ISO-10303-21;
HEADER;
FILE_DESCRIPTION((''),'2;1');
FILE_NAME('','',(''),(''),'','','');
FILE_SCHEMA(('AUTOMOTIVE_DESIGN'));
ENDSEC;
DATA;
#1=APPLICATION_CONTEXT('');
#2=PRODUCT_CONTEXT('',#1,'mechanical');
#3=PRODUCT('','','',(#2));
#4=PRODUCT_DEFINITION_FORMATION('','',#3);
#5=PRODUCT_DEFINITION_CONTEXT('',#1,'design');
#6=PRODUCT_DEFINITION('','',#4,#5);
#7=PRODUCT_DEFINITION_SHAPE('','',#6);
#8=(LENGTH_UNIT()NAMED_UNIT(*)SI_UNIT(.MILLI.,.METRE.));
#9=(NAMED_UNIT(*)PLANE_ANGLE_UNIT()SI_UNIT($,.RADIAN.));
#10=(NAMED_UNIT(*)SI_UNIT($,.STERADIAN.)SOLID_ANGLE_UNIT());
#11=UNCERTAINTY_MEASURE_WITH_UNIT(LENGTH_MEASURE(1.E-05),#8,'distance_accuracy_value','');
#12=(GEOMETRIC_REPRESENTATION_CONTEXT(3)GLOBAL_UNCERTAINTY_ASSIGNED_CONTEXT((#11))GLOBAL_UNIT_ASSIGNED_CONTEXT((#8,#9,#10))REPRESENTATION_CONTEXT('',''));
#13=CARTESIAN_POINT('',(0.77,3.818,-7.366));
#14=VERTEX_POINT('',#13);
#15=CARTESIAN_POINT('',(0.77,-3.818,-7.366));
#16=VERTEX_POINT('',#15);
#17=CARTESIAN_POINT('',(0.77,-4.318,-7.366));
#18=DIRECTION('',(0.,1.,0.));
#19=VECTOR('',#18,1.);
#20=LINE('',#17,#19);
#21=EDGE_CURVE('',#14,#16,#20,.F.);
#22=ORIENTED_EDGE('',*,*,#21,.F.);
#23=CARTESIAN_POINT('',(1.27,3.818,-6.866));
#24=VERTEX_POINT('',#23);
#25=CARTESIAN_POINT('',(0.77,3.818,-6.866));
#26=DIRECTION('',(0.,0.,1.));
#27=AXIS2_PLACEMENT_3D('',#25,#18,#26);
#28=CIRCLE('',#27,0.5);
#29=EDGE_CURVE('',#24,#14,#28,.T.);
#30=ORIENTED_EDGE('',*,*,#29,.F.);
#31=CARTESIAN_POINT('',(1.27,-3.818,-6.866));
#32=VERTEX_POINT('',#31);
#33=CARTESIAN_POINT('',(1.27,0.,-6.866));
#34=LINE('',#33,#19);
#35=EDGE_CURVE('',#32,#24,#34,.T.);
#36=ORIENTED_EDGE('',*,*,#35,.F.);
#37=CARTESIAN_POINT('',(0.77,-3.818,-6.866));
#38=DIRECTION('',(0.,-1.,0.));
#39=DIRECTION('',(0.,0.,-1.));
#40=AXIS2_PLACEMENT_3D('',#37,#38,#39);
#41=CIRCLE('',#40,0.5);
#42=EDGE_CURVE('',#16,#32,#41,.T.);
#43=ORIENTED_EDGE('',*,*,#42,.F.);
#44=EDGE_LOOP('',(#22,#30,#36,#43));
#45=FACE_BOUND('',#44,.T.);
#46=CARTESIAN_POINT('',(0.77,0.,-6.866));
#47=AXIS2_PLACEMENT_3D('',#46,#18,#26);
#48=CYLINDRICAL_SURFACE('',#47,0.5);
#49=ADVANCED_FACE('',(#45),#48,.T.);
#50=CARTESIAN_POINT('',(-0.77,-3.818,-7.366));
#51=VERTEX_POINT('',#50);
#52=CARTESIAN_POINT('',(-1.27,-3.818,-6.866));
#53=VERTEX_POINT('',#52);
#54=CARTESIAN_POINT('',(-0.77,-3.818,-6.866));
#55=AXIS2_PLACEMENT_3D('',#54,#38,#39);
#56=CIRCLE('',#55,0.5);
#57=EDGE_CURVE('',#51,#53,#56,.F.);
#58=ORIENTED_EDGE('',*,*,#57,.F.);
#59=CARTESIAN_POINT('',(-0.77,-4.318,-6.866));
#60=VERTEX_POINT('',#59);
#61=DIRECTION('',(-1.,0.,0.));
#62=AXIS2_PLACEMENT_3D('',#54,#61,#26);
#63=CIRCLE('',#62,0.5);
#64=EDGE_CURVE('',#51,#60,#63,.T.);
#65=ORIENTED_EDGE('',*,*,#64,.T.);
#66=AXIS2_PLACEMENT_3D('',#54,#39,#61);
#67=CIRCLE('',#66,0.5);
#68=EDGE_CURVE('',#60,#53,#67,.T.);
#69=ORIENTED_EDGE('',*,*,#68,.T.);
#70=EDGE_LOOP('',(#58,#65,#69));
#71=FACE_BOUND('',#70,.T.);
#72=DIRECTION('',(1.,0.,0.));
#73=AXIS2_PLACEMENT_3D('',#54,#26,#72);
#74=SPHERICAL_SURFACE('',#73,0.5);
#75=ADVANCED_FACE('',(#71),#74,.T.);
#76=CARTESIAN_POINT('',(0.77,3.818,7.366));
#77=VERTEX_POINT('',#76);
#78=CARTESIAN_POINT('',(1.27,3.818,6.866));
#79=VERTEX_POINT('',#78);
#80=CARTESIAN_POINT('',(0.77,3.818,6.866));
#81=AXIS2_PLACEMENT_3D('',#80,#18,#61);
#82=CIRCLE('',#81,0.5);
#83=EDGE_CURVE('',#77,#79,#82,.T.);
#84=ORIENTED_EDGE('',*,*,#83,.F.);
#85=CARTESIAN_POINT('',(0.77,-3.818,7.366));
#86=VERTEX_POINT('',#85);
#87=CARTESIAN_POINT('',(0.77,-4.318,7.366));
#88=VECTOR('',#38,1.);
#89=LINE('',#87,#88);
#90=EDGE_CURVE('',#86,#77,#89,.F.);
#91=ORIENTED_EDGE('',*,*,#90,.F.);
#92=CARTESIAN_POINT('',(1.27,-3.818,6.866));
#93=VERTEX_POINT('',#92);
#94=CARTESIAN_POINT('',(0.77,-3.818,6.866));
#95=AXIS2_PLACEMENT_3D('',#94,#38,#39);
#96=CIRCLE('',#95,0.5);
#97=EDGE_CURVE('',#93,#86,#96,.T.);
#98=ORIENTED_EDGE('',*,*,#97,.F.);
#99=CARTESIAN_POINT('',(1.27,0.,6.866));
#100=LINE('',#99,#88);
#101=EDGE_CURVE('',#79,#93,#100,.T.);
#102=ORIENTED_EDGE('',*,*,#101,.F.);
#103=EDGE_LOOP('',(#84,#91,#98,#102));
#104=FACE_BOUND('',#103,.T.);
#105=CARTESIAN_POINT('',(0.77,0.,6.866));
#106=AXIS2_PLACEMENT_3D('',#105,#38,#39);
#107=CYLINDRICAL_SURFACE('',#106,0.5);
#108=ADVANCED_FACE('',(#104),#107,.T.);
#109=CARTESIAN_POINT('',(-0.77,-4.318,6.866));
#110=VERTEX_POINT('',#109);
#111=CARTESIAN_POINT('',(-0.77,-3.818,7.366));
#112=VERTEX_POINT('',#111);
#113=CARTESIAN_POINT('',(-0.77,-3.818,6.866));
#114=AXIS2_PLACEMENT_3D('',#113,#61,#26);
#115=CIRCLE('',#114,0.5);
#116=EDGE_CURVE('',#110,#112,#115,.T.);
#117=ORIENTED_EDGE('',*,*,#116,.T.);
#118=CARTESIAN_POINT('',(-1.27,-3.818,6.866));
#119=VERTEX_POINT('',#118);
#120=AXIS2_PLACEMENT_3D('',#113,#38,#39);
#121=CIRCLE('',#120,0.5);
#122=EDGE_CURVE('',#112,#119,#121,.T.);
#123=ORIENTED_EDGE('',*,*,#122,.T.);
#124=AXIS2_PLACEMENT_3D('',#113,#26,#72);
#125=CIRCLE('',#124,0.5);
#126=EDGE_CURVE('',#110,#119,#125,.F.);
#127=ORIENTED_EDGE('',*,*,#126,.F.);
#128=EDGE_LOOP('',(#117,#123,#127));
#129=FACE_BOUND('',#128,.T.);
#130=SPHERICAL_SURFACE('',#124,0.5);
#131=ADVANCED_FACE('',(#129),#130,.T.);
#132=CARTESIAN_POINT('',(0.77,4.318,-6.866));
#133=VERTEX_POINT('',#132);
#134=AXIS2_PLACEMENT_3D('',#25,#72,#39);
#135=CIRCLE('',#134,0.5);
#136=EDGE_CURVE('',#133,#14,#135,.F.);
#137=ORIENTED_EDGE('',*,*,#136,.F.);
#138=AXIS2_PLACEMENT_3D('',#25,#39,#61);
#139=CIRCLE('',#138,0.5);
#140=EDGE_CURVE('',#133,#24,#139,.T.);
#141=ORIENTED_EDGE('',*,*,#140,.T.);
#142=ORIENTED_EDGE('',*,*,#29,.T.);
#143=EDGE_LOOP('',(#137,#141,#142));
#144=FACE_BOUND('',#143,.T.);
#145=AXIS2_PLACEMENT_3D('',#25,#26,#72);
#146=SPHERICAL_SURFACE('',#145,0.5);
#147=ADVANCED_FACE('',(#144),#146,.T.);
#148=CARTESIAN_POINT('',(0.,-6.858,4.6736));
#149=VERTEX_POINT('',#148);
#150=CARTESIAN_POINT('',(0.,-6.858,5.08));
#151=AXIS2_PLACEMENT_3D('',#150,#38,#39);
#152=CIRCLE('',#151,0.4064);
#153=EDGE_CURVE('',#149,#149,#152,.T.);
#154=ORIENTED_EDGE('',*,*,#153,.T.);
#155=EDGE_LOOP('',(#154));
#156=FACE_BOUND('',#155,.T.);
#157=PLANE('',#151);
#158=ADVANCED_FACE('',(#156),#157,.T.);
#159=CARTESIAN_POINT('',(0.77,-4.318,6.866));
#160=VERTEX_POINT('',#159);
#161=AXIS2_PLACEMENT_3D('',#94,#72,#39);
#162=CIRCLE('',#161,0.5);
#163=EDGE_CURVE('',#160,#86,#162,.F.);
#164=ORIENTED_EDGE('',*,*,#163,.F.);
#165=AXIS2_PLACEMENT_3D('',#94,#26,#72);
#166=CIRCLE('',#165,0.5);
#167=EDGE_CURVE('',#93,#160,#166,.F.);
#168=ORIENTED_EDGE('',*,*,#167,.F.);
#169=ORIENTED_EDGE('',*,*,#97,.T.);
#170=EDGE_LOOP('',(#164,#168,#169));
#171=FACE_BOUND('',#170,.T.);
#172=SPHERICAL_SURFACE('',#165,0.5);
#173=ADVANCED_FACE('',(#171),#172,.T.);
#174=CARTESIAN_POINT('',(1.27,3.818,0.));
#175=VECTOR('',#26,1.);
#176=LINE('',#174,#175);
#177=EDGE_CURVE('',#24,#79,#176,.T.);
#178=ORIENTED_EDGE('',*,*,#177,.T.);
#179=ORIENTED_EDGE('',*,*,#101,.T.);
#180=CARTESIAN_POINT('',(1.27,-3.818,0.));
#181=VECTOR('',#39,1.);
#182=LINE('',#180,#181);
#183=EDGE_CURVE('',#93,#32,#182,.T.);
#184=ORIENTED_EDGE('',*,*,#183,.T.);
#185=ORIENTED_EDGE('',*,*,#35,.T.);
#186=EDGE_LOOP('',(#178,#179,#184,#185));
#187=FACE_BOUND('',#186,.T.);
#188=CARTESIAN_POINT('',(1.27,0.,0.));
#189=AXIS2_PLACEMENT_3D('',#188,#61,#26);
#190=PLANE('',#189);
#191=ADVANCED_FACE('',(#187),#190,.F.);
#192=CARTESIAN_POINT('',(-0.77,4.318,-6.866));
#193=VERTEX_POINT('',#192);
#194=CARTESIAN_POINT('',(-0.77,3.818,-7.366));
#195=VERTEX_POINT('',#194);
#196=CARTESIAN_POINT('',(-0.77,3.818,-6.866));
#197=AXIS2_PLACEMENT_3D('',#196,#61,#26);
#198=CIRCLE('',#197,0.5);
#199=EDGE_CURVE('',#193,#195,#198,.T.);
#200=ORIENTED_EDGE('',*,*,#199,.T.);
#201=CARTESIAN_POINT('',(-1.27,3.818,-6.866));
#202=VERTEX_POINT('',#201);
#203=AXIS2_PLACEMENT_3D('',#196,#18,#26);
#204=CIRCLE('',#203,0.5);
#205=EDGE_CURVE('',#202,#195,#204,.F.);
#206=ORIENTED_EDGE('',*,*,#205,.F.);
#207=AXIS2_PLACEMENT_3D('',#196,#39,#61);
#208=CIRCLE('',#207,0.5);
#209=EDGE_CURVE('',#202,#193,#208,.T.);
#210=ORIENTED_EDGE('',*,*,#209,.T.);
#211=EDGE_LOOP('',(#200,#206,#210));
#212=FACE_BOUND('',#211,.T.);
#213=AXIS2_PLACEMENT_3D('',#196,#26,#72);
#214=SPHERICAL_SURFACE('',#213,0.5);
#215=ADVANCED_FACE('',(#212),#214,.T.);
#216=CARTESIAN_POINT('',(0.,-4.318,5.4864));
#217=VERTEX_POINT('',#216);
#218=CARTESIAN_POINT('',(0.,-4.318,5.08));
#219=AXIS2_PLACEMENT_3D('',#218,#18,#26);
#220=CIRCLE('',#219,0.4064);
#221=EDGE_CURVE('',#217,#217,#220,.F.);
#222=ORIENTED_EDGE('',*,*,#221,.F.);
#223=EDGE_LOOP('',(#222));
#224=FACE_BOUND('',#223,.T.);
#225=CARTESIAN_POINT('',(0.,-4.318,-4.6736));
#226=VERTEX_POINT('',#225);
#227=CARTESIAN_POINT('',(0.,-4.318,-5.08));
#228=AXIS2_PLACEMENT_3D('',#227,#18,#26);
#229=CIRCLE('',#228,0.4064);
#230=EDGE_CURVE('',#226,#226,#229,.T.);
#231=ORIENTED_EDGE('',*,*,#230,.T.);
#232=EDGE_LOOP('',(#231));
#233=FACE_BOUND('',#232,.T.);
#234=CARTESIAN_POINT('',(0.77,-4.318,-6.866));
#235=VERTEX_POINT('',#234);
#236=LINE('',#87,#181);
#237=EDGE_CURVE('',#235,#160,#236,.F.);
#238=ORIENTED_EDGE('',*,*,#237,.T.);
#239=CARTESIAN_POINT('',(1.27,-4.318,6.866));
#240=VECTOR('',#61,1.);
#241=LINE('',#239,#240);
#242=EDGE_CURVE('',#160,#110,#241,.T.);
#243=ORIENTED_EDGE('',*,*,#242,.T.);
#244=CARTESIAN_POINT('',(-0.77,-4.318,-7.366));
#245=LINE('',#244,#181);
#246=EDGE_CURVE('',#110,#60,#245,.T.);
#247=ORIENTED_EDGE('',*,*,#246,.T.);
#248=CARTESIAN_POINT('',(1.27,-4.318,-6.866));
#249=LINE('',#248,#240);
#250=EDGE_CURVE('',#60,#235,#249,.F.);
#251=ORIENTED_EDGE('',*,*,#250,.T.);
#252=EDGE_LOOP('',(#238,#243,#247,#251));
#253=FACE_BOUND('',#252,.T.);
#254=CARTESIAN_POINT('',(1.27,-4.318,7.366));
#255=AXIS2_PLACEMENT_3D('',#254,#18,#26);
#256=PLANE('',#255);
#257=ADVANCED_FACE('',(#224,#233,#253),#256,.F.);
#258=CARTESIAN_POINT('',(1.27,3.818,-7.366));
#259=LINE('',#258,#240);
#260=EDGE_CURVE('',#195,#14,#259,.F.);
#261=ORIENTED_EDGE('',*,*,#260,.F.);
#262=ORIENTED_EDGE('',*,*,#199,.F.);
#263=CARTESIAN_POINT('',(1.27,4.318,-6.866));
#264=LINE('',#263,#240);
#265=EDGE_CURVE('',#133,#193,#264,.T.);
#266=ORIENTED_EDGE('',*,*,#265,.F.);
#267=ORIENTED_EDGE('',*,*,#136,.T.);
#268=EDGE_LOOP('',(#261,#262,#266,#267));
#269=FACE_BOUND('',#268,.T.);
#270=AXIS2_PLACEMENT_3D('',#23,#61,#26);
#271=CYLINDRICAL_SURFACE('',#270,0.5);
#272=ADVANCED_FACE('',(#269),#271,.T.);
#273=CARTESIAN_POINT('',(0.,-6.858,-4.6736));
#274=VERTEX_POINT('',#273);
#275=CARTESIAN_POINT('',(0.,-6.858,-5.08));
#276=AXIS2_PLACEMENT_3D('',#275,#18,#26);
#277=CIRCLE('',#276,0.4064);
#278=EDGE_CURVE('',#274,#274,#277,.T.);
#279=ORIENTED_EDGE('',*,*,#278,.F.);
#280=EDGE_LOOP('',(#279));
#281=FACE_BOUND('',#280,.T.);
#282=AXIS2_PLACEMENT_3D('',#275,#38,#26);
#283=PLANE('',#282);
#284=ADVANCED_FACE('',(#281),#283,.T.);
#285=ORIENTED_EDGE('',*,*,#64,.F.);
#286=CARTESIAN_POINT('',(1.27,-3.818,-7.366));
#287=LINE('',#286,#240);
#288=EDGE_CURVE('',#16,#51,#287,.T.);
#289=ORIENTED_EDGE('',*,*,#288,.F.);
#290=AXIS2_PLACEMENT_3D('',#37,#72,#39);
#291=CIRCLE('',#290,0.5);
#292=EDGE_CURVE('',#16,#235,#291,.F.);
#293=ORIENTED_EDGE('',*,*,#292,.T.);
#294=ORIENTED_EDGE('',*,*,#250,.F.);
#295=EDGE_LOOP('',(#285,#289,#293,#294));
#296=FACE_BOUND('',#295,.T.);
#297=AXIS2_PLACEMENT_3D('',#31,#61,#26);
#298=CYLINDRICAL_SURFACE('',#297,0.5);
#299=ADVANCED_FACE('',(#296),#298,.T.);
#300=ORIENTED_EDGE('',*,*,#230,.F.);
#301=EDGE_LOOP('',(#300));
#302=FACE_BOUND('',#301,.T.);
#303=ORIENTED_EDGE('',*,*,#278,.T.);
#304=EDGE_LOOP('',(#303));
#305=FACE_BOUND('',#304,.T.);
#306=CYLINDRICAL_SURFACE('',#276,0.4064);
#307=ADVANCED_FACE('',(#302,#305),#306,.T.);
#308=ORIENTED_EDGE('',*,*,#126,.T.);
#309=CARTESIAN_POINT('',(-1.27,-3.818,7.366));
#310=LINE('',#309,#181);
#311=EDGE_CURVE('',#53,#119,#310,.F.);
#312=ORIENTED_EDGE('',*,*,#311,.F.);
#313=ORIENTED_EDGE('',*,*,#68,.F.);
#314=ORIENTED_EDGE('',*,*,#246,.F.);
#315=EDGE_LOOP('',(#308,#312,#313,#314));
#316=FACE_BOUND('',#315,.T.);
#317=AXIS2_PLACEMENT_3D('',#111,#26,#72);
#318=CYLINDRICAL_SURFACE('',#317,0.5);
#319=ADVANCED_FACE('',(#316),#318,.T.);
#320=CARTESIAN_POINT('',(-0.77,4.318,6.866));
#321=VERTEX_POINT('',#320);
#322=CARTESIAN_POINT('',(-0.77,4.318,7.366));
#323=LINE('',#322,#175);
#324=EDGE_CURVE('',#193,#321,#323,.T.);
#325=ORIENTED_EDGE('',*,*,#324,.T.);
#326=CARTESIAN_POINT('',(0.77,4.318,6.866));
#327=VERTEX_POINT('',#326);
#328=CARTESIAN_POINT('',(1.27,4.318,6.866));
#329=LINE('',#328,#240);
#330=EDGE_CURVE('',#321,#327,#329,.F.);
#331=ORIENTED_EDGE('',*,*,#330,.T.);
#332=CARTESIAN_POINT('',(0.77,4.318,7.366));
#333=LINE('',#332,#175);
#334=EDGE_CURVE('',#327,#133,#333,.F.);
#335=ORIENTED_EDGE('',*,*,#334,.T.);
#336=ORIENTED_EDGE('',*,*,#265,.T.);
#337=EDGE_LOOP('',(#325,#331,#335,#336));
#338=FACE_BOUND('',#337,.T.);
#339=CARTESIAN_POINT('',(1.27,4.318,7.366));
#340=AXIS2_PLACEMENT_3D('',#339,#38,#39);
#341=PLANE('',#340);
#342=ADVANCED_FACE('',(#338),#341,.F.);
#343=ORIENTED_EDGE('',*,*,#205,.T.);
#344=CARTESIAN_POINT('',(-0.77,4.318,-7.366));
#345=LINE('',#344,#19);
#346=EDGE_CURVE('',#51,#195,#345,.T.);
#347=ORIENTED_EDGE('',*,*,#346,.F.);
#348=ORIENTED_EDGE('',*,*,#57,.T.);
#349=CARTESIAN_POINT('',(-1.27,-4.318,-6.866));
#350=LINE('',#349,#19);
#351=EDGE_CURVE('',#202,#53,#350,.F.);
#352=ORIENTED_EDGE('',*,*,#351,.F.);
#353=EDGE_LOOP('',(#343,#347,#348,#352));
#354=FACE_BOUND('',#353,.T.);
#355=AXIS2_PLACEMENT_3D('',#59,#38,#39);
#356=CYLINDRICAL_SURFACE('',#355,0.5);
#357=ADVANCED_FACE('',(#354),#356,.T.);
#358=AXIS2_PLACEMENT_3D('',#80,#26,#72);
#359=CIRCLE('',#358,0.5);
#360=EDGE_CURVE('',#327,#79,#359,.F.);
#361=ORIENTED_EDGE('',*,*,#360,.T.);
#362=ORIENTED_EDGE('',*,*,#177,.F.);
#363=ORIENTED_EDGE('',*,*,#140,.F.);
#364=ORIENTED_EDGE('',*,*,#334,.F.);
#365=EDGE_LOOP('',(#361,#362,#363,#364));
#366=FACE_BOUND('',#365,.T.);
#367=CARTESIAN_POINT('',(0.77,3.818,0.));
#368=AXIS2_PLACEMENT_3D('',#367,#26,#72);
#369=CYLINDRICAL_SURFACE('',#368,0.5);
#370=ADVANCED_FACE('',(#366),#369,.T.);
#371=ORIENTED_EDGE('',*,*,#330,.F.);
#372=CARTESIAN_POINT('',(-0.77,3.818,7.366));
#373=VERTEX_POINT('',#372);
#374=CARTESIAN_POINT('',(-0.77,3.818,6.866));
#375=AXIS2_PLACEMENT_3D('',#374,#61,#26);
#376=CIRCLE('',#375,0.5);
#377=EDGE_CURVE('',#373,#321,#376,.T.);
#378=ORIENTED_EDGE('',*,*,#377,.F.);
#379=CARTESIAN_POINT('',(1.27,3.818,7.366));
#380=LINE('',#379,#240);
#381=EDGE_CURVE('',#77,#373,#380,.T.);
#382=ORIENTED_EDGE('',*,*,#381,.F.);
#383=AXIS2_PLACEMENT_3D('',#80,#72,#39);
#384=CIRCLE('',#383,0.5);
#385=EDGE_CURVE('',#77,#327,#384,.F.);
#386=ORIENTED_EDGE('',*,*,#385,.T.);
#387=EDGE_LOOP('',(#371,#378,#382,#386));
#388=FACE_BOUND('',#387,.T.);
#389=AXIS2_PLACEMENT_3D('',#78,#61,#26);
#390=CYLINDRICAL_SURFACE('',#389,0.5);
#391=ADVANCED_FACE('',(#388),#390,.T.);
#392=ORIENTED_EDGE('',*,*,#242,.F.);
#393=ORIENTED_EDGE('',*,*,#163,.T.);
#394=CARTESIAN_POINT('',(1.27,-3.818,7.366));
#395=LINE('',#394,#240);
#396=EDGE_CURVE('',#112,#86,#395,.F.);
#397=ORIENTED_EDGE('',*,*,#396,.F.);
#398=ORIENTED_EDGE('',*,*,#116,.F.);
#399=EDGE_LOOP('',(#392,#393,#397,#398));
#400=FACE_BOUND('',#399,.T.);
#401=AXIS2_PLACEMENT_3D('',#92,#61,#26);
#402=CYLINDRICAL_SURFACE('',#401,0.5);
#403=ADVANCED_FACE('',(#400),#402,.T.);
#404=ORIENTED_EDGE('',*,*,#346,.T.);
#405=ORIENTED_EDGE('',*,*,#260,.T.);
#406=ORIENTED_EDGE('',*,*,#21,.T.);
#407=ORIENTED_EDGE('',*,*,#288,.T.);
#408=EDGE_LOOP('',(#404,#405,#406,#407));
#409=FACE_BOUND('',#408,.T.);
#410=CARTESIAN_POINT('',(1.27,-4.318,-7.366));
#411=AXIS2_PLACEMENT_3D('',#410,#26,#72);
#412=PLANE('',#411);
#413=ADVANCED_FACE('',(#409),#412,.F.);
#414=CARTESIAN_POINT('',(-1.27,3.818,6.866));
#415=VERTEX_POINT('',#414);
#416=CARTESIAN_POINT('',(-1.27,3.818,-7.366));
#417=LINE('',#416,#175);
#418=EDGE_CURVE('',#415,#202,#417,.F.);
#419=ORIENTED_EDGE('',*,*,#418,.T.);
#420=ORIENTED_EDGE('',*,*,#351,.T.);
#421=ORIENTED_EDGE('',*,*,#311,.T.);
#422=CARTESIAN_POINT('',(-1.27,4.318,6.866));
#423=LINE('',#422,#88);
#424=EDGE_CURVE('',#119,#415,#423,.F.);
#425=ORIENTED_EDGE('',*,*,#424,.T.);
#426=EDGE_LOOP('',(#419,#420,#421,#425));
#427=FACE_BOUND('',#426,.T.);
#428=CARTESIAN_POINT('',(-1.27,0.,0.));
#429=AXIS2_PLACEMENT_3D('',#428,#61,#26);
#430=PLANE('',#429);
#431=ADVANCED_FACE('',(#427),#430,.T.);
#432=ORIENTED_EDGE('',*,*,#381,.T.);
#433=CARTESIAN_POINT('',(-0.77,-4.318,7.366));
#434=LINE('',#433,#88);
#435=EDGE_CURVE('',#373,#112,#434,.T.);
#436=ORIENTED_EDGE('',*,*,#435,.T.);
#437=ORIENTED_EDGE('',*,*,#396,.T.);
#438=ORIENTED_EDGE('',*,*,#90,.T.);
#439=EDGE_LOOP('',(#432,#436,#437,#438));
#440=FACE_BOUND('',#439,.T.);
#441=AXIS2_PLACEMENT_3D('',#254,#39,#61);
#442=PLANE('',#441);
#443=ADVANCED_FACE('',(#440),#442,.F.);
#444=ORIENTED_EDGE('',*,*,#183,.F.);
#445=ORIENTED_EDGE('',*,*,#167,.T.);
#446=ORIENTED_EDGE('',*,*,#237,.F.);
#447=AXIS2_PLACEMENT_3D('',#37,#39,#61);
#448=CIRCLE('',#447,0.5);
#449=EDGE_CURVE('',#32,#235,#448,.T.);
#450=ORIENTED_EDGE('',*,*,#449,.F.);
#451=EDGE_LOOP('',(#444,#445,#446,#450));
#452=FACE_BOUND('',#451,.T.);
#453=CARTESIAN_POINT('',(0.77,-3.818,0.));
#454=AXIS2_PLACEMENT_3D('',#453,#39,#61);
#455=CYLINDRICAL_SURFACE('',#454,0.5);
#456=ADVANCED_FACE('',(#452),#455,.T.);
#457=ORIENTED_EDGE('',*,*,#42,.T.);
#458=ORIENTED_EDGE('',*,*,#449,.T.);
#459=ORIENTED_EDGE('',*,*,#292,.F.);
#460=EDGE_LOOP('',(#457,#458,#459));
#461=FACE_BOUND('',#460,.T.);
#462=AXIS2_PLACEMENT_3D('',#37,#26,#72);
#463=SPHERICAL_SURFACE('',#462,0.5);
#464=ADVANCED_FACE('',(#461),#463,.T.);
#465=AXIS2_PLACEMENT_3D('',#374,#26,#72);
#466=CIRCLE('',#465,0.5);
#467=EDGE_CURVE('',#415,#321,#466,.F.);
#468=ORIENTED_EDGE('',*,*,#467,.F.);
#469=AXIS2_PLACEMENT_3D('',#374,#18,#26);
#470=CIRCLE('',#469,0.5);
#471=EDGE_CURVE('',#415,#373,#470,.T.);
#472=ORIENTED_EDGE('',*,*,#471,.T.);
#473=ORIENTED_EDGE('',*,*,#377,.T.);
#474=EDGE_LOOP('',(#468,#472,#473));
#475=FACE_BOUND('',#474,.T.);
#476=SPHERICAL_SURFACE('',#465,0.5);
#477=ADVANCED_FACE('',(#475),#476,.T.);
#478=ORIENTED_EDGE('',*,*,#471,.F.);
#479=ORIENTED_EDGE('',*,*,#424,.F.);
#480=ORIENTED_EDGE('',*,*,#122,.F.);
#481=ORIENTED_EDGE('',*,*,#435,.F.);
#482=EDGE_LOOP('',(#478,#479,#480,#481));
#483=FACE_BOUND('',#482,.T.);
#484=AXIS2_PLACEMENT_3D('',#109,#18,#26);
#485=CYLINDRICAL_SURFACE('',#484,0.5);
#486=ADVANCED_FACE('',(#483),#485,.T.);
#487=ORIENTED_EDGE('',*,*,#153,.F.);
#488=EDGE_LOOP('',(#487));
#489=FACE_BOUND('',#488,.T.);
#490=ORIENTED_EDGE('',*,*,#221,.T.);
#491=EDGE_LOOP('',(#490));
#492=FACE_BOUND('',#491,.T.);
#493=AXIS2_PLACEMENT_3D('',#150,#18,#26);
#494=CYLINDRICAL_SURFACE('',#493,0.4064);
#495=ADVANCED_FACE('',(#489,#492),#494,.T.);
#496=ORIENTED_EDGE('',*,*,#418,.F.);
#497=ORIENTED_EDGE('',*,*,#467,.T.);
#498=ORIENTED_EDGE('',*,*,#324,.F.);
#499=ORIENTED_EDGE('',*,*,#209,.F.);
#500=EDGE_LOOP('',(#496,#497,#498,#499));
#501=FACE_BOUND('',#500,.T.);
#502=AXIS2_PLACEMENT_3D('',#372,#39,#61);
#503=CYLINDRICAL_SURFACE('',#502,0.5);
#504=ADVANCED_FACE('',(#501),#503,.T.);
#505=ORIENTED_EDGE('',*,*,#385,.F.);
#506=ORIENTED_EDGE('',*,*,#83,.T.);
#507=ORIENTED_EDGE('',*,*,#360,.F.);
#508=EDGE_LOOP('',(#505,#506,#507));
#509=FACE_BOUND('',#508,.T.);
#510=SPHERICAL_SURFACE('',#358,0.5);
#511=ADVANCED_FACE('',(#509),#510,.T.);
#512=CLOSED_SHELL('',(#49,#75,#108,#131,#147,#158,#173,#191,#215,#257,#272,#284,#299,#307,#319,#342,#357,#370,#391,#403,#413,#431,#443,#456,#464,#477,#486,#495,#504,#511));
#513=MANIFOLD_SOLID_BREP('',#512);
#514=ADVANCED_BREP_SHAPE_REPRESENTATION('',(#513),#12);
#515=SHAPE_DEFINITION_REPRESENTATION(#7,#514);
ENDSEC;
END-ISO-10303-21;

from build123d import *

# Parameters (mm, degrees)
SKETCH1_W           = 14.732
SKETCH1_H           = 8.636
BOSS_EXTRUDE1_DEPTH = 1.27
SKETCH2_R           = 0.4064
BOSS_EXTRUDE2_DEPTH = 2.54
FILLET1_R           = 0.5


with BuildPart() as part:
    # Sketch1 → Boss-Extrude1 (new, symmetric)
    with BuildSketch(Plane(origin=(0, 0, 0), x_dir=(0, 0, -1), z_dir=(1, 0, 0))):
        Rectangle(SKETCH1_W, SKETCH1_H)
    extrude(amount=BOSS_EXTRUDE1_DEPTH, both=True)

    # Sketch2 → Boss-Extrude2 (add)
    with BuildSketch(Plane.XZ.offset(4.318)):
        with Locations(Location((0, 5.08, 0), (0, 0, 90))):
            Circle(SKETCH2_R)
    boss_extrude2 = extrude(amount=BOSS_EXTRUDE2_DEPTH)

    # Mirror1: Boss-Extrude2 across plane
    add(boss_extrude2.mirror(Plane.XY))

    # Fillet1
    fillet1_edges = [part.edges().sort_by_distance(p)[0] for p in [
        (1.27, 0, 7.366),
        (1.27, -4.318, 0),
        (1.27, 0, -7.366),
        (-1.27, -4.318, 0),
        (-1.27, 0, 7.366),
        (-1.27, 4.318, 0),
        (-1.27, 0, -7.366),
        (0, -4.318, -7.366),
        (0, -4.318, 7.366),
        (0, 4.318, 7.366),
        (0, 4.318, -7.366),
        (1.27, 4.318, 0),
    ]]
    fillet(fillet1_edges, radius=FILLET1_R)


solid = part.part
